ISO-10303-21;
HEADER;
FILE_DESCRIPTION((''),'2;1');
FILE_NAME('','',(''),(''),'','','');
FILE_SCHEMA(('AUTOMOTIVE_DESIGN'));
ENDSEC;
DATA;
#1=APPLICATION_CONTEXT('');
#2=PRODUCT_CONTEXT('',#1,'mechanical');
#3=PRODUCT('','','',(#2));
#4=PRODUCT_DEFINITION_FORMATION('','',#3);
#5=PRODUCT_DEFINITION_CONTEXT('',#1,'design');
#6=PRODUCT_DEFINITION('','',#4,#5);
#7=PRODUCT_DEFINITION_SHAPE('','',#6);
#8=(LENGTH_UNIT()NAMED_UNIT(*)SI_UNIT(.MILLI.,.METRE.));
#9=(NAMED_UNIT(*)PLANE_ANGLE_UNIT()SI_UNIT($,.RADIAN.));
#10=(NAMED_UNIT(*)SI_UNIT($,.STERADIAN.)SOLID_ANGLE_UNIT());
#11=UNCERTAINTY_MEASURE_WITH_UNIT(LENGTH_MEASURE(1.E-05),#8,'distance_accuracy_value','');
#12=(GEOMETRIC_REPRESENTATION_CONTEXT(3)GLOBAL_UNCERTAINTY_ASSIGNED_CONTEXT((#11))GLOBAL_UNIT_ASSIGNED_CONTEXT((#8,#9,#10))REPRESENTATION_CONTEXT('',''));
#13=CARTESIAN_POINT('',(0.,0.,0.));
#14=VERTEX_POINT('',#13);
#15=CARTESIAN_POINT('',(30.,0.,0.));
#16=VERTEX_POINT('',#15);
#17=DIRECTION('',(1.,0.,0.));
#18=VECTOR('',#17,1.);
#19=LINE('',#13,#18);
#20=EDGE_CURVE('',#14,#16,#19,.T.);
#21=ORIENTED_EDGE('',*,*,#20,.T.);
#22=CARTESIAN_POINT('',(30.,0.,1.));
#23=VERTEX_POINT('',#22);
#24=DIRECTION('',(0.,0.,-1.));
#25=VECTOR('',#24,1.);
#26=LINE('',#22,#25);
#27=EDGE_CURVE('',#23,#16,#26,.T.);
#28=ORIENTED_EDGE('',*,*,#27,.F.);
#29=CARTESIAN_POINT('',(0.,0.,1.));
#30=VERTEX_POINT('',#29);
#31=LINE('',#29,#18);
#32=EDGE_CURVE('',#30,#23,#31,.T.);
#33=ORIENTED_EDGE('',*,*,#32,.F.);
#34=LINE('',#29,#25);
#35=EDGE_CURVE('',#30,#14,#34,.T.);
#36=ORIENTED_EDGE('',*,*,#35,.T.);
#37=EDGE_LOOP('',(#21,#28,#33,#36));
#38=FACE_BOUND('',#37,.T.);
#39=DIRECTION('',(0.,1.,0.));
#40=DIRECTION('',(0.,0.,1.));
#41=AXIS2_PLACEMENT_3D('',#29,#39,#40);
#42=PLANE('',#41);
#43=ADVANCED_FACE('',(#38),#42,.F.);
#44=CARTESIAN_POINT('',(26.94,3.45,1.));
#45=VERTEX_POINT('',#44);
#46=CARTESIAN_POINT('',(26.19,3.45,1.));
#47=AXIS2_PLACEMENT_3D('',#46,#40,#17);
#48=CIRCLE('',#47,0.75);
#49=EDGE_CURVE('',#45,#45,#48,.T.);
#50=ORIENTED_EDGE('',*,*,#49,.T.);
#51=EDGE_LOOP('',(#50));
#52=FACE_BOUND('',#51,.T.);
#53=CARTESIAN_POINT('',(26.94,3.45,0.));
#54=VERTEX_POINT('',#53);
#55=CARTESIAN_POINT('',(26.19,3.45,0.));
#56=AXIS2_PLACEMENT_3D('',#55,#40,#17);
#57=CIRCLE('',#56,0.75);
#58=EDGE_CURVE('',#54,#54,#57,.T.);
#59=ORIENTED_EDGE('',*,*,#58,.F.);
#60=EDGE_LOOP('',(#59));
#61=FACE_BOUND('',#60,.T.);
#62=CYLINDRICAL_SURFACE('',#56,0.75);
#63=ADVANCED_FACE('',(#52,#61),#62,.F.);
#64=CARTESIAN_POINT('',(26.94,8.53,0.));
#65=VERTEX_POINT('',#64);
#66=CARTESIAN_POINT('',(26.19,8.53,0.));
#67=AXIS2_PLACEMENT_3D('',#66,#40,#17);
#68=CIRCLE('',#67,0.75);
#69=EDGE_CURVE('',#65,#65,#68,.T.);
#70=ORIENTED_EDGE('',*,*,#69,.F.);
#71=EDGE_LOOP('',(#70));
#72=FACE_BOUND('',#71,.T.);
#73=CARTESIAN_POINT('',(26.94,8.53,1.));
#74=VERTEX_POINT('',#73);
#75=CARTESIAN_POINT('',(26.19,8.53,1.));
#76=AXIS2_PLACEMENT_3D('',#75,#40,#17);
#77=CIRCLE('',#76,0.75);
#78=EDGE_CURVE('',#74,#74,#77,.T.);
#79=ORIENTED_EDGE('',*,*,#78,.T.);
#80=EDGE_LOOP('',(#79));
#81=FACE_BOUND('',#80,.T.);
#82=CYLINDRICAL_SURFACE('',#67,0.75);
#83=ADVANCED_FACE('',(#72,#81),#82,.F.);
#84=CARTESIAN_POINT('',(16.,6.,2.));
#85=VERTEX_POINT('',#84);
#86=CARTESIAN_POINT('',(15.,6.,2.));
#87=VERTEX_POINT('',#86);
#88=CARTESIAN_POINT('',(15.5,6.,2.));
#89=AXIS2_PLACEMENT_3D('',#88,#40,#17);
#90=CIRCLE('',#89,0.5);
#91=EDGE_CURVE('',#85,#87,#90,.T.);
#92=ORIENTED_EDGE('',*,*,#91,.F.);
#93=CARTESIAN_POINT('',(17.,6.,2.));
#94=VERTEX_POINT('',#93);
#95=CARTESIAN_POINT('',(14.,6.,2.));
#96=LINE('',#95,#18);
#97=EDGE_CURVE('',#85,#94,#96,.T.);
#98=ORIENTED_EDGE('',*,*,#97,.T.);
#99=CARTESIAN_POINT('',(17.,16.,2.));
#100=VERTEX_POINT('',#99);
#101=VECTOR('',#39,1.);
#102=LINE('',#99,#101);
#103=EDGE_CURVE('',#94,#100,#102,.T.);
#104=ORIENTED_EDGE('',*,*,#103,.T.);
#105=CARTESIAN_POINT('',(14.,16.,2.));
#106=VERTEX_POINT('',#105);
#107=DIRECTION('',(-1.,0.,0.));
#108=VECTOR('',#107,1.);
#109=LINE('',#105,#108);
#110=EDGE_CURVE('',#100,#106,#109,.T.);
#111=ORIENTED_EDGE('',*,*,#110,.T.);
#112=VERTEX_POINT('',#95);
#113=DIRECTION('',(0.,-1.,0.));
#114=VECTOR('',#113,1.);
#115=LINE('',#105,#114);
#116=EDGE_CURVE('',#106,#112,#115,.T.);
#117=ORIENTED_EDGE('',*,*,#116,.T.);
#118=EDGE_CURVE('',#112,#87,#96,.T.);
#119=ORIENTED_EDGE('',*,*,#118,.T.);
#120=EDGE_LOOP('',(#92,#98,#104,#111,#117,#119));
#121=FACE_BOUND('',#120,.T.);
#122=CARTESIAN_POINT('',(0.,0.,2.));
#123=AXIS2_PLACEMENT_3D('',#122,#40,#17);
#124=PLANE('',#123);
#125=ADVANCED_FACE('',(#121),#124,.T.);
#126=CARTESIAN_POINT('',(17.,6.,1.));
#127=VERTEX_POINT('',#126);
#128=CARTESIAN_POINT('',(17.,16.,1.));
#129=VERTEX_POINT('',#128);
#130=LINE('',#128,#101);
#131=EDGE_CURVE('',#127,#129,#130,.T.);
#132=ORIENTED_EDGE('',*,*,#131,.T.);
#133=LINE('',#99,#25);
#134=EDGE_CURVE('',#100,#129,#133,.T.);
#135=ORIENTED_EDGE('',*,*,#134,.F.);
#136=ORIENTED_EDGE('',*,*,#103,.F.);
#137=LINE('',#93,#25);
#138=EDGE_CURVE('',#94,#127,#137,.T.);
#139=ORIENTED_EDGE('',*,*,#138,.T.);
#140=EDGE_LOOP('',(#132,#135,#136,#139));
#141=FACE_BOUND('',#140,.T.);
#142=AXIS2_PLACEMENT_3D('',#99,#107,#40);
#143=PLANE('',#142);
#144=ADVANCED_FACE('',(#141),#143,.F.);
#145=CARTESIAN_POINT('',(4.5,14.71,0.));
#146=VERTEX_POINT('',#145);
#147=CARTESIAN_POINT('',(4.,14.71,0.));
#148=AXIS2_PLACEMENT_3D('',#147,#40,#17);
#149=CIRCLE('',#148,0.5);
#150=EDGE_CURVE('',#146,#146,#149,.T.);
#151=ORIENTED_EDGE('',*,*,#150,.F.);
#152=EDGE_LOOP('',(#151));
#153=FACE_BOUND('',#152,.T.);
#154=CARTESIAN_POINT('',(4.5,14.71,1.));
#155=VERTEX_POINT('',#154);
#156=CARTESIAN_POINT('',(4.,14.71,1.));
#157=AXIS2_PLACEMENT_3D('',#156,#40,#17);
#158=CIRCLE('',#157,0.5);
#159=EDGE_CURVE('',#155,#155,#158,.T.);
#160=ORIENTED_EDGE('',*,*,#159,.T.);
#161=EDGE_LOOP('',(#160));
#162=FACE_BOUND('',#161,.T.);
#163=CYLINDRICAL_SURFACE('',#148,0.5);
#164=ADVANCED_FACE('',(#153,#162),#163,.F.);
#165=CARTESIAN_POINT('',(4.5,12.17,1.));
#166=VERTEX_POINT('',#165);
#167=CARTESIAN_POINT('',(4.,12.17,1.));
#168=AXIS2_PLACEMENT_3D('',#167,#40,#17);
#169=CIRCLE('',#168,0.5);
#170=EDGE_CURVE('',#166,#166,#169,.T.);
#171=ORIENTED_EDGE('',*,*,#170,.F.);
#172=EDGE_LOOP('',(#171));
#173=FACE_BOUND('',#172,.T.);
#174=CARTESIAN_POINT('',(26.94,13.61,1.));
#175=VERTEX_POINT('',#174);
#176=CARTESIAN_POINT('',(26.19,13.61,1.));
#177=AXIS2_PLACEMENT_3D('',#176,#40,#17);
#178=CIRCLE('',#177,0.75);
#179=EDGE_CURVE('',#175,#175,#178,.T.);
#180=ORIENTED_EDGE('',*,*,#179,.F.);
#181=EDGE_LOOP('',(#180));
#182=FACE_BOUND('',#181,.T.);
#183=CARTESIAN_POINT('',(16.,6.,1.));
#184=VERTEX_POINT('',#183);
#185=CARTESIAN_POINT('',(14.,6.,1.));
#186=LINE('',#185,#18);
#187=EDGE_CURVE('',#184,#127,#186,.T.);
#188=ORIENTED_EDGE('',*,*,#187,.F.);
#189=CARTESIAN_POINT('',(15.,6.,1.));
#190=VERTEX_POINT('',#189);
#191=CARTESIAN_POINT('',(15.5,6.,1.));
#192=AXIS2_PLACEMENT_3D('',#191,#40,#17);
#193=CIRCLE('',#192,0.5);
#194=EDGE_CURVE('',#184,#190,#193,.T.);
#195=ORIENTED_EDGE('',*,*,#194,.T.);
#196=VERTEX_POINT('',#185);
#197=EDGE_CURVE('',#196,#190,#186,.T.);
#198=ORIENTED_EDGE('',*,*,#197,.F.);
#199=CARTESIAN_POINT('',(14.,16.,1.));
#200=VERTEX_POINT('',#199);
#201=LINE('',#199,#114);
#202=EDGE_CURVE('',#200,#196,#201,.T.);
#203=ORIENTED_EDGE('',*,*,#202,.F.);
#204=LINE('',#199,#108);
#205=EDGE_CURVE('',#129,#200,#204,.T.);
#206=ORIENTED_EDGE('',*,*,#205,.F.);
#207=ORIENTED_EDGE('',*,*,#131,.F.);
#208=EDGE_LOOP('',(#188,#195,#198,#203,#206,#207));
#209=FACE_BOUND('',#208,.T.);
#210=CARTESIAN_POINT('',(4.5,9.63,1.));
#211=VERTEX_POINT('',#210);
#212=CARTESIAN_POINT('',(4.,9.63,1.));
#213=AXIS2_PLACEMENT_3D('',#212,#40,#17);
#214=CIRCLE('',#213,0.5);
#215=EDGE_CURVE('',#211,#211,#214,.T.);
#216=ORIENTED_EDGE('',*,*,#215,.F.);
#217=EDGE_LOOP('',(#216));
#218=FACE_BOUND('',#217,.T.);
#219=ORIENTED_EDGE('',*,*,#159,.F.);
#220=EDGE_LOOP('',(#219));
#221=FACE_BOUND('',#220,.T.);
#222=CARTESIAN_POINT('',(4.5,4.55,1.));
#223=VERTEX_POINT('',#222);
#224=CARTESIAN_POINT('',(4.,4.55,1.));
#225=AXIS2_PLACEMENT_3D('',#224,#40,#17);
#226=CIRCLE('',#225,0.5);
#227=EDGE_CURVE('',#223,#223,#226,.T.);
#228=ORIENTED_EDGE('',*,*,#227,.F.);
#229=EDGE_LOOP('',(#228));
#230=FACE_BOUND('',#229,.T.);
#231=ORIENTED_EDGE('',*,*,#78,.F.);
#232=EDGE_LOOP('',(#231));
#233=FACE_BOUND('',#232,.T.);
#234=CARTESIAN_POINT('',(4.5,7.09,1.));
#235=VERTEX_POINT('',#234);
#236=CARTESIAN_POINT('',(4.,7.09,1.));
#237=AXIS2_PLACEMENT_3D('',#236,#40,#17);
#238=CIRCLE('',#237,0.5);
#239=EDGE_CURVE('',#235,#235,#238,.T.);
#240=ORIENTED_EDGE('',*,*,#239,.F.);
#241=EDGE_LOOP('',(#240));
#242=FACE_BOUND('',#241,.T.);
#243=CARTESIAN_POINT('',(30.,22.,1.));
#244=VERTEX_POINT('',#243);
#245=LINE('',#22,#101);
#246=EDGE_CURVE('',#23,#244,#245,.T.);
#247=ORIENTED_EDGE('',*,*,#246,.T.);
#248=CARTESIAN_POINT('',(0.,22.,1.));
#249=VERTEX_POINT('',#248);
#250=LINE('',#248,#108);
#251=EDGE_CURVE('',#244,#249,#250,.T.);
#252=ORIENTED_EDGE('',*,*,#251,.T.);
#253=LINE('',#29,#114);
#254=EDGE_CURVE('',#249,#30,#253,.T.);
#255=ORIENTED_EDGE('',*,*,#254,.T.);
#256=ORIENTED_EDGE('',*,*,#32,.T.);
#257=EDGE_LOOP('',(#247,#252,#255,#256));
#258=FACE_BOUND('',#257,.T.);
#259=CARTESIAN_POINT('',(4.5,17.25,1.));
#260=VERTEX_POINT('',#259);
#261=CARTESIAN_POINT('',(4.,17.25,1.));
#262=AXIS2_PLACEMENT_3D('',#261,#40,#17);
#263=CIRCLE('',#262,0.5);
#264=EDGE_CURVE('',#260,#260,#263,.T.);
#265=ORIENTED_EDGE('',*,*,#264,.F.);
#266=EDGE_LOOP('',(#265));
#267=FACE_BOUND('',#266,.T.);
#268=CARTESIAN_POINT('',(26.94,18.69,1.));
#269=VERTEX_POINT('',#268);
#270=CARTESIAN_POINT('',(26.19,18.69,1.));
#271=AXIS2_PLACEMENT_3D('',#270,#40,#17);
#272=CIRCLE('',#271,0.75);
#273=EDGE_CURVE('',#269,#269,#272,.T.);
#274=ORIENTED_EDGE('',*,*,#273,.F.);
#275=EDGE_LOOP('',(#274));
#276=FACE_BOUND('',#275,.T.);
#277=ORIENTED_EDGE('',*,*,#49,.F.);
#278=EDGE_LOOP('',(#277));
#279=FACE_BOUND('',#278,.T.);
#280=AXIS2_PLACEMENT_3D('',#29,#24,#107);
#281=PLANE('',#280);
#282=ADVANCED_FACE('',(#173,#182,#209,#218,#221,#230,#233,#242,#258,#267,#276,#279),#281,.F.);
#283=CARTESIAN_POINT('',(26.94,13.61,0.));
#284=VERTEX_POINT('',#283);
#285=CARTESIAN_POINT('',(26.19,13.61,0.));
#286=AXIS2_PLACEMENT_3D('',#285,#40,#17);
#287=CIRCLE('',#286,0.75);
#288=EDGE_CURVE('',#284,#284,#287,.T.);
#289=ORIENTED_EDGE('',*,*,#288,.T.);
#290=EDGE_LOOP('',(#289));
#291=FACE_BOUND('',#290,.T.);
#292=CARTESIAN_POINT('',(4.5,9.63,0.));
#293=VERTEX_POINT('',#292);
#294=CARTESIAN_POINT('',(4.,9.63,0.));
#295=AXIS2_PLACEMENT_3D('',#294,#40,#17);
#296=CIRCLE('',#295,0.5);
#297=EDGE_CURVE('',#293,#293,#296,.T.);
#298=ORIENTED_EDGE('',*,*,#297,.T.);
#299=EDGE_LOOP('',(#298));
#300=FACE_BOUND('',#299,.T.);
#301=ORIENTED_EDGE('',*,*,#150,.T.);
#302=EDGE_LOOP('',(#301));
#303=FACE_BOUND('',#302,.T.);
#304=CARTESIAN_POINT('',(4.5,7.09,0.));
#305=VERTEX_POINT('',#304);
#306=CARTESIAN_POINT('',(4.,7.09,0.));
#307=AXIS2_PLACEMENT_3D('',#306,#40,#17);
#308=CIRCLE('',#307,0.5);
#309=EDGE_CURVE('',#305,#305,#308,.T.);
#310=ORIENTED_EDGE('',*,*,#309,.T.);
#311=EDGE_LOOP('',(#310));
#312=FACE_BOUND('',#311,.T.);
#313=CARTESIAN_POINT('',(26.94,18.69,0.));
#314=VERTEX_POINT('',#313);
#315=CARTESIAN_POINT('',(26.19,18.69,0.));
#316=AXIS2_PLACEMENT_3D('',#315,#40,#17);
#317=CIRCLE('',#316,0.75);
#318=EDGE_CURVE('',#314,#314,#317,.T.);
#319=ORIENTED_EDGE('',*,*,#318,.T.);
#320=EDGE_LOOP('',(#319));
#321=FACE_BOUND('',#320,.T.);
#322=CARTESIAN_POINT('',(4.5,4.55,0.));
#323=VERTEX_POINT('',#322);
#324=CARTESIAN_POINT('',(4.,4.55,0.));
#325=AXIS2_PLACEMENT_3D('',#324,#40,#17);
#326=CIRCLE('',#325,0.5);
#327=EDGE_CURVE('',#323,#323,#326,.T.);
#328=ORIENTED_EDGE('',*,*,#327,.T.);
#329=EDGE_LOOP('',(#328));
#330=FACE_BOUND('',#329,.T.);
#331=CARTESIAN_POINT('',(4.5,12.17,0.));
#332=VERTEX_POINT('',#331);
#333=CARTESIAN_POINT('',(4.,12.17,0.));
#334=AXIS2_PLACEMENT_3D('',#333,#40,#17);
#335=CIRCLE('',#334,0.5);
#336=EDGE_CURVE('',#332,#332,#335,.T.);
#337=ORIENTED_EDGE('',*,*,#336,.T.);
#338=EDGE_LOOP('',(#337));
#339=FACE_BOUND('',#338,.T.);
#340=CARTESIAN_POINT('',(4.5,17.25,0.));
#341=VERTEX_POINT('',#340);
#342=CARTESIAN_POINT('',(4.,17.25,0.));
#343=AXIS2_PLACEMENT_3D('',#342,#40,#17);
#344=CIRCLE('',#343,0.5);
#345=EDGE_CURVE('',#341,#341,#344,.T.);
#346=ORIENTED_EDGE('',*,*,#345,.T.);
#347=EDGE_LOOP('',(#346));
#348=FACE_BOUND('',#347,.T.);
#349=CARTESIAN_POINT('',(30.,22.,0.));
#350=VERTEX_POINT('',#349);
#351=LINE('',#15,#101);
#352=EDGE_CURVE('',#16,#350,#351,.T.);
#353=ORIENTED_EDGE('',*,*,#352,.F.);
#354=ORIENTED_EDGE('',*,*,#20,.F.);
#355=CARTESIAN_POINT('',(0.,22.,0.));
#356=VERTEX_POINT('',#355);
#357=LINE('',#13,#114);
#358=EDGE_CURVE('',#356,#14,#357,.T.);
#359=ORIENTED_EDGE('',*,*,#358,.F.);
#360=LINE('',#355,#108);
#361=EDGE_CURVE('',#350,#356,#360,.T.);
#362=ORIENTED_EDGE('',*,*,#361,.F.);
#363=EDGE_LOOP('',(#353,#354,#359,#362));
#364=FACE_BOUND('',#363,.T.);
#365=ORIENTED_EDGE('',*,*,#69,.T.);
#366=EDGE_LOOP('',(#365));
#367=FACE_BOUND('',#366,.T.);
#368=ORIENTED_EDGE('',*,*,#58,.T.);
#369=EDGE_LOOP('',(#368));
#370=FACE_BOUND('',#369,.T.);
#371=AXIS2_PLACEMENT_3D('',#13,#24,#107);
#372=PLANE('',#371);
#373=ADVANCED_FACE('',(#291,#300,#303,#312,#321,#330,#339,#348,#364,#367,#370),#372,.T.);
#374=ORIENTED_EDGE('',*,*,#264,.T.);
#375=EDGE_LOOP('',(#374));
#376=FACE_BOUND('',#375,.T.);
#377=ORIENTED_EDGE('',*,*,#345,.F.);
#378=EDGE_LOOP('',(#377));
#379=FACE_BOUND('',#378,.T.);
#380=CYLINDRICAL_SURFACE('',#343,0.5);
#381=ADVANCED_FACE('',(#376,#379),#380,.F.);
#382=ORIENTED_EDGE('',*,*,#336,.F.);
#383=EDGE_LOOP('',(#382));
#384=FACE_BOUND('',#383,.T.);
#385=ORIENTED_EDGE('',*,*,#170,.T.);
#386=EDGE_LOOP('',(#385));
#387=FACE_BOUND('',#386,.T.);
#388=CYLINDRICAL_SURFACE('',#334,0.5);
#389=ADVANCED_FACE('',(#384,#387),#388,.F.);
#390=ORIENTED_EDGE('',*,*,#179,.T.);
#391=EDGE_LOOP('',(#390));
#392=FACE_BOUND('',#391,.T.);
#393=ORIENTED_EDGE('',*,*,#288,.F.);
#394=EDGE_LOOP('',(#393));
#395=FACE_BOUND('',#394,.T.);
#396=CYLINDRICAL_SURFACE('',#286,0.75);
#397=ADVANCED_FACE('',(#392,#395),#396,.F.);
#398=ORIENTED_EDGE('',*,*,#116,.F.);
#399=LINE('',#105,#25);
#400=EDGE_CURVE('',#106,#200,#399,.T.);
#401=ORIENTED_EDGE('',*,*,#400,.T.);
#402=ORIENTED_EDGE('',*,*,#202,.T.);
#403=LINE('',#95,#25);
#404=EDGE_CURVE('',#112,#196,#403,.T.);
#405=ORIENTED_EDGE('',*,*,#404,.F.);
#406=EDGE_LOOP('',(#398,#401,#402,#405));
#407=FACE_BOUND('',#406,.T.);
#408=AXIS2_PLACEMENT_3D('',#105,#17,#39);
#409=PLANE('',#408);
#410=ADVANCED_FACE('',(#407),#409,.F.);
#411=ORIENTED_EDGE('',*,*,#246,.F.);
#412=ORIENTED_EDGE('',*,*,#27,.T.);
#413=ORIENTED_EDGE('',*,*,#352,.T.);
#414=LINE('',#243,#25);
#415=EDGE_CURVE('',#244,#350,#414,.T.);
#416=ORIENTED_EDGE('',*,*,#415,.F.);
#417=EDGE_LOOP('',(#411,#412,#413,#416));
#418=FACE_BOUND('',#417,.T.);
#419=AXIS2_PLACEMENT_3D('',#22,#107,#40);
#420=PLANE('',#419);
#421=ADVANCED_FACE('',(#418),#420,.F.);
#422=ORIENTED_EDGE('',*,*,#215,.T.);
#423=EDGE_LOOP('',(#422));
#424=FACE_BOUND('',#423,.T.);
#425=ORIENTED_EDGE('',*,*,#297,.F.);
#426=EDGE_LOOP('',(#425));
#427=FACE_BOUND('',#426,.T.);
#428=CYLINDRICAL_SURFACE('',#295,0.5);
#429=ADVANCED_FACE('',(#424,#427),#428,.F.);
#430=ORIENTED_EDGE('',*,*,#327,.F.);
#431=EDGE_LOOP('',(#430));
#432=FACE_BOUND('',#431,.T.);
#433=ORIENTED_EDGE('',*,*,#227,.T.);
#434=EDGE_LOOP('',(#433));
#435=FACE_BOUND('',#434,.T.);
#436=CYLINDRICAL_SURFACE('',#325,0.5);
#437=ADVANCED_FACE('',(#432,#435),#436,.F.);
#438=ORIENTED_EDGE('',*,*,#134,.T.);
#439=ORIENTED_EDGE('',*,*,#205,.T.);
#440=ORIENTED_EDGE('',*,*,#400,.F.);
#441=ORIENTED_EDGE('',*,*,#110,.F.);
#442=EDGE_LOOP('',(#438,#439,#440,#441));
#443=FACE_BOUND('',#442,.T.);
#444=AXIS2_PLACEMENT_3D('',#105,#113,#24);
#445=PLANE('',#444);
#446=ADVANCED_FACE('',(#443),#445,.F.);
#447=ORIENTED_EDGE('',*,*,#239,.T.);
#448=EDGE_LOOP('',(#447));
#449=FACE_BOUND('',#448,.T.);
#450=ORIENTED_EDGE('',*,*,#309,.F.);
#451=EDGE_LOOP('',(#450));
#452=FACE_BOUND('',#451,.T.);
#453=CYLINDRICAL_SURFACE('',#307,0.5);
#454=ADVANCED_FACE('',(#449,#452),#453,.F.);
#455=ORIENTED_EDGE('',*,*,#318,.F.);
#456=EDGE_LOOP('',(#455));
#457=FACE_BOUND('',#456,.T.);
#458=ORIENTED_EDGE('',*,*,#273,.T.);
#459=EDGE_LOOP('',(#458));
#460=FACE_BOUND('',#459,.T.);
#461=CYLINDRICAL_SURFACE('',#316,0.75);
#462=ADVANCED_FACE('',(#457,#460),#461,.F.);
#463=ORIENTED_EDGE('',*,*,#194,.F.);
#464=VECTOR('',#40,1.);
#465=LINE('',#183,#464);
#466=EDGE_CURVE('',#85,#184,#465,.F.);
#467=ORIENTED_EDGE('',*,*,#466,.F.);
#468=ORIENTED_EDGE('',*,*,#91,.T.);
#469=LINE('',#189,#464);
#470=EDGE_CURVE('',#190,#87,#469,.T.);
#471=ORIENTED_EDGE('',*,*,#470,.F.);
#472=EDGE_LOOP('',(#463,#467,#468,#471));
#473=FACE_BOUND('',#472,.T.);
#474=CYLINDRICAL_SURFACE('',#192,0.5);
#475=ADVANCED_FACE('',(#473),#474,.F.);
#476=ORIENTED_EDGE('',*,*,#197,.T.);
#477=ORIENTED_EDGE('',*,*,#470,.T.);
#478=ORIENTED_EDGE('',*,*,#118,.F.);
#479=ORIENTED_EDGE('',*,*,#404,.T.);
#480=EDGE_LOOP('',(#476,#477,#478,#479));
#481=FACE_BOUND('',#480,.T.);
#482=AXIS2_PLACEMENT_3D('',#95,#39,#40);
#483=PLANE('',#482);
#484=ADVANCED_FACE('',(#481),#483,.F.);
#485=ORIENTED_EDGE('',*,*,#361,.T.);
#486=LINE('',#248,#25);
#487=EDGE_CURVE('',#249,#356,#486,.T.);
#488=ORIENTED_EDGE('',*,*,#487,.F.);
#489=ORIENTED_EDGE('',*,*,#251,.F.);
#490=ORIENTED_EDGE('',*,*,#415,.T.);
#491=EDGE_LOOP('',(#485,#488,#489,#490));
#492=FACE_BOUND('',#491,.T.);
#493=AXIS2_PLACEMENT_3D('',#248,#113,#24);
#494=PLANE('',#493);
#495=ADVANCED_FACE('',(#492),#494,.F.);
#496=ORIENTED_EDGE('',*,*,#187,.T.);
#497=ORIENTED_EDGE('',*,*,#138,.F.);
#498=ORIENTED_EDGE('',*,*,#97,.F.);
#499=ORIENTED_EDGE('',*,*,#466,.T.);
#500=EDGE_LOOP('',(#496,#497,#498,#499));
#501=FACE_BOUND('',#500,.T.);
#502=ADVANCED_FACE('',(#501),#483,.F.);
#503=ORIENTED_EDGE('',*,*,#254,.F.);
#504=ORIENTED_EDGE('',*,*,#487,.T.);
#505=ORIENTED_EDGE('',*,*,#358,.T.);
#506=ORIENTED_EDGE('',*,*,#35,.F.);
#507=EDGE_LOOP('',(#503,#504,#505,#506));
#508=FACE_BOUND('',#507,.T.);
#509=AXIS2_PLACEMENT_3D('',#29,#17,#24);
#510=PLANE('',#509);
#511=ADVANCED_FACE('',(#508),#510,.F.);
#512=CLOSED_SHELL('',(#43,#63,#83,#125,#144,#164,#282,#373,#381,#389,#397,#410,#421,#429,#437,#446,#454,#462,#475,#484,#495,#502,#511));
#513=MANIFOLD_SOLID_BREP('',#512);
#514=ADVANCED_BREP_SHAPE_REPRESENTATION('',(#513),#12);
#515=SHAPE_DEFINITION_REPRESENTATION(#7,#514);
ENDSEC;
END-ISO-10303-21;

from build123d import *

# Parameters (mm, degrees)
SKETCH_1_W          = 30
SKETCH_1_H          = 22
EXTRUDE_1_DEPTH     = 1
SKETCH_2_R          = 0.5
SKETCH_2_R_2        = 0.75
CUT_EXTRUDE_1_DEPTH = 38.215588132
SKETCH_3_W          = 3
SKETCH_3_H          = 10
EXTRUDE_2_DEPTH     = 1
SKETCH_4_R          = 0.5
CUT_EXTRUDE_2_DEPTH = 1


with BuildPart() as part:
    # ｽｹｯﾁ1 → ﾎﾞｽ - 押し出し1 (new body)
    with BuildSketch(Plane.XY):
        with Locations((15, 11)):
            Rectangle(SKETCH_1_W, SKETCH_1_H)
    extrude(amount=EXTRUDE_1_DEPTH)

    # ｽｹｯﾁ2 → ｶｯﾄ - 押し出し1 (cut, through all)
    with BuildSketch(Plane.XY.offset(1)):
        with Locations((4, 17.25)):
            Circle(SKETCH_2_R)
        with Locations((4, 14.71)):
            Circle(SKETCH_2_R)
        with Locations((4, 12.17)):
            Circle(SKETCH_2_R)
        with Locations((4, 9.63)):
            Circle(SKETCH_2_R)
        with Locations((4, 7.09)):
            Circle(SKETCH_2_R)
        with Locations((4, 4.55)):
            Circle(SKETCH_2_R)
        with Locations((26.19, 18.69)):
            Circle(SKETCH_2_R_2)
        with Locations((26.19, 13.61)):
            Circle(SKETCH_2_R_2)
        with Locations((26.19, 8.53)):
            Circle(SKETCH_2_R_2)
        with Locations((26.19, 3.45)):
            Circle(SKETCH_2_R_2)
    extrude(amount=-CUT_EXTRUDE_1_DEPTH, mode=Mode.SUBTRACT)

    # ｽｹｯﾁ3 → ﾎﾞｽ - 押し出し2 (add)
    with BuildSketch(Plane.XY.offset(1)):
        with Locations((15.5, 11)):
            Rectangle(SKETCH_3_W, SKETCH_3_H)
    extrude(amount=EXTRUDE_2_DEPTH)

    # ｽｹｯﾁ4 → ｶｯﾄ - 押し出し2 (cut)
    with BuildSketch(Plane.XY.offset(2)):
        with Locations((15.5, 6)):
            Circle(SKETCH_4_R)
    extrude(amount=-CUT_EXTRUDE_2_DEPTH, mode=Mode.SUBTRACT)


solid = part.part
